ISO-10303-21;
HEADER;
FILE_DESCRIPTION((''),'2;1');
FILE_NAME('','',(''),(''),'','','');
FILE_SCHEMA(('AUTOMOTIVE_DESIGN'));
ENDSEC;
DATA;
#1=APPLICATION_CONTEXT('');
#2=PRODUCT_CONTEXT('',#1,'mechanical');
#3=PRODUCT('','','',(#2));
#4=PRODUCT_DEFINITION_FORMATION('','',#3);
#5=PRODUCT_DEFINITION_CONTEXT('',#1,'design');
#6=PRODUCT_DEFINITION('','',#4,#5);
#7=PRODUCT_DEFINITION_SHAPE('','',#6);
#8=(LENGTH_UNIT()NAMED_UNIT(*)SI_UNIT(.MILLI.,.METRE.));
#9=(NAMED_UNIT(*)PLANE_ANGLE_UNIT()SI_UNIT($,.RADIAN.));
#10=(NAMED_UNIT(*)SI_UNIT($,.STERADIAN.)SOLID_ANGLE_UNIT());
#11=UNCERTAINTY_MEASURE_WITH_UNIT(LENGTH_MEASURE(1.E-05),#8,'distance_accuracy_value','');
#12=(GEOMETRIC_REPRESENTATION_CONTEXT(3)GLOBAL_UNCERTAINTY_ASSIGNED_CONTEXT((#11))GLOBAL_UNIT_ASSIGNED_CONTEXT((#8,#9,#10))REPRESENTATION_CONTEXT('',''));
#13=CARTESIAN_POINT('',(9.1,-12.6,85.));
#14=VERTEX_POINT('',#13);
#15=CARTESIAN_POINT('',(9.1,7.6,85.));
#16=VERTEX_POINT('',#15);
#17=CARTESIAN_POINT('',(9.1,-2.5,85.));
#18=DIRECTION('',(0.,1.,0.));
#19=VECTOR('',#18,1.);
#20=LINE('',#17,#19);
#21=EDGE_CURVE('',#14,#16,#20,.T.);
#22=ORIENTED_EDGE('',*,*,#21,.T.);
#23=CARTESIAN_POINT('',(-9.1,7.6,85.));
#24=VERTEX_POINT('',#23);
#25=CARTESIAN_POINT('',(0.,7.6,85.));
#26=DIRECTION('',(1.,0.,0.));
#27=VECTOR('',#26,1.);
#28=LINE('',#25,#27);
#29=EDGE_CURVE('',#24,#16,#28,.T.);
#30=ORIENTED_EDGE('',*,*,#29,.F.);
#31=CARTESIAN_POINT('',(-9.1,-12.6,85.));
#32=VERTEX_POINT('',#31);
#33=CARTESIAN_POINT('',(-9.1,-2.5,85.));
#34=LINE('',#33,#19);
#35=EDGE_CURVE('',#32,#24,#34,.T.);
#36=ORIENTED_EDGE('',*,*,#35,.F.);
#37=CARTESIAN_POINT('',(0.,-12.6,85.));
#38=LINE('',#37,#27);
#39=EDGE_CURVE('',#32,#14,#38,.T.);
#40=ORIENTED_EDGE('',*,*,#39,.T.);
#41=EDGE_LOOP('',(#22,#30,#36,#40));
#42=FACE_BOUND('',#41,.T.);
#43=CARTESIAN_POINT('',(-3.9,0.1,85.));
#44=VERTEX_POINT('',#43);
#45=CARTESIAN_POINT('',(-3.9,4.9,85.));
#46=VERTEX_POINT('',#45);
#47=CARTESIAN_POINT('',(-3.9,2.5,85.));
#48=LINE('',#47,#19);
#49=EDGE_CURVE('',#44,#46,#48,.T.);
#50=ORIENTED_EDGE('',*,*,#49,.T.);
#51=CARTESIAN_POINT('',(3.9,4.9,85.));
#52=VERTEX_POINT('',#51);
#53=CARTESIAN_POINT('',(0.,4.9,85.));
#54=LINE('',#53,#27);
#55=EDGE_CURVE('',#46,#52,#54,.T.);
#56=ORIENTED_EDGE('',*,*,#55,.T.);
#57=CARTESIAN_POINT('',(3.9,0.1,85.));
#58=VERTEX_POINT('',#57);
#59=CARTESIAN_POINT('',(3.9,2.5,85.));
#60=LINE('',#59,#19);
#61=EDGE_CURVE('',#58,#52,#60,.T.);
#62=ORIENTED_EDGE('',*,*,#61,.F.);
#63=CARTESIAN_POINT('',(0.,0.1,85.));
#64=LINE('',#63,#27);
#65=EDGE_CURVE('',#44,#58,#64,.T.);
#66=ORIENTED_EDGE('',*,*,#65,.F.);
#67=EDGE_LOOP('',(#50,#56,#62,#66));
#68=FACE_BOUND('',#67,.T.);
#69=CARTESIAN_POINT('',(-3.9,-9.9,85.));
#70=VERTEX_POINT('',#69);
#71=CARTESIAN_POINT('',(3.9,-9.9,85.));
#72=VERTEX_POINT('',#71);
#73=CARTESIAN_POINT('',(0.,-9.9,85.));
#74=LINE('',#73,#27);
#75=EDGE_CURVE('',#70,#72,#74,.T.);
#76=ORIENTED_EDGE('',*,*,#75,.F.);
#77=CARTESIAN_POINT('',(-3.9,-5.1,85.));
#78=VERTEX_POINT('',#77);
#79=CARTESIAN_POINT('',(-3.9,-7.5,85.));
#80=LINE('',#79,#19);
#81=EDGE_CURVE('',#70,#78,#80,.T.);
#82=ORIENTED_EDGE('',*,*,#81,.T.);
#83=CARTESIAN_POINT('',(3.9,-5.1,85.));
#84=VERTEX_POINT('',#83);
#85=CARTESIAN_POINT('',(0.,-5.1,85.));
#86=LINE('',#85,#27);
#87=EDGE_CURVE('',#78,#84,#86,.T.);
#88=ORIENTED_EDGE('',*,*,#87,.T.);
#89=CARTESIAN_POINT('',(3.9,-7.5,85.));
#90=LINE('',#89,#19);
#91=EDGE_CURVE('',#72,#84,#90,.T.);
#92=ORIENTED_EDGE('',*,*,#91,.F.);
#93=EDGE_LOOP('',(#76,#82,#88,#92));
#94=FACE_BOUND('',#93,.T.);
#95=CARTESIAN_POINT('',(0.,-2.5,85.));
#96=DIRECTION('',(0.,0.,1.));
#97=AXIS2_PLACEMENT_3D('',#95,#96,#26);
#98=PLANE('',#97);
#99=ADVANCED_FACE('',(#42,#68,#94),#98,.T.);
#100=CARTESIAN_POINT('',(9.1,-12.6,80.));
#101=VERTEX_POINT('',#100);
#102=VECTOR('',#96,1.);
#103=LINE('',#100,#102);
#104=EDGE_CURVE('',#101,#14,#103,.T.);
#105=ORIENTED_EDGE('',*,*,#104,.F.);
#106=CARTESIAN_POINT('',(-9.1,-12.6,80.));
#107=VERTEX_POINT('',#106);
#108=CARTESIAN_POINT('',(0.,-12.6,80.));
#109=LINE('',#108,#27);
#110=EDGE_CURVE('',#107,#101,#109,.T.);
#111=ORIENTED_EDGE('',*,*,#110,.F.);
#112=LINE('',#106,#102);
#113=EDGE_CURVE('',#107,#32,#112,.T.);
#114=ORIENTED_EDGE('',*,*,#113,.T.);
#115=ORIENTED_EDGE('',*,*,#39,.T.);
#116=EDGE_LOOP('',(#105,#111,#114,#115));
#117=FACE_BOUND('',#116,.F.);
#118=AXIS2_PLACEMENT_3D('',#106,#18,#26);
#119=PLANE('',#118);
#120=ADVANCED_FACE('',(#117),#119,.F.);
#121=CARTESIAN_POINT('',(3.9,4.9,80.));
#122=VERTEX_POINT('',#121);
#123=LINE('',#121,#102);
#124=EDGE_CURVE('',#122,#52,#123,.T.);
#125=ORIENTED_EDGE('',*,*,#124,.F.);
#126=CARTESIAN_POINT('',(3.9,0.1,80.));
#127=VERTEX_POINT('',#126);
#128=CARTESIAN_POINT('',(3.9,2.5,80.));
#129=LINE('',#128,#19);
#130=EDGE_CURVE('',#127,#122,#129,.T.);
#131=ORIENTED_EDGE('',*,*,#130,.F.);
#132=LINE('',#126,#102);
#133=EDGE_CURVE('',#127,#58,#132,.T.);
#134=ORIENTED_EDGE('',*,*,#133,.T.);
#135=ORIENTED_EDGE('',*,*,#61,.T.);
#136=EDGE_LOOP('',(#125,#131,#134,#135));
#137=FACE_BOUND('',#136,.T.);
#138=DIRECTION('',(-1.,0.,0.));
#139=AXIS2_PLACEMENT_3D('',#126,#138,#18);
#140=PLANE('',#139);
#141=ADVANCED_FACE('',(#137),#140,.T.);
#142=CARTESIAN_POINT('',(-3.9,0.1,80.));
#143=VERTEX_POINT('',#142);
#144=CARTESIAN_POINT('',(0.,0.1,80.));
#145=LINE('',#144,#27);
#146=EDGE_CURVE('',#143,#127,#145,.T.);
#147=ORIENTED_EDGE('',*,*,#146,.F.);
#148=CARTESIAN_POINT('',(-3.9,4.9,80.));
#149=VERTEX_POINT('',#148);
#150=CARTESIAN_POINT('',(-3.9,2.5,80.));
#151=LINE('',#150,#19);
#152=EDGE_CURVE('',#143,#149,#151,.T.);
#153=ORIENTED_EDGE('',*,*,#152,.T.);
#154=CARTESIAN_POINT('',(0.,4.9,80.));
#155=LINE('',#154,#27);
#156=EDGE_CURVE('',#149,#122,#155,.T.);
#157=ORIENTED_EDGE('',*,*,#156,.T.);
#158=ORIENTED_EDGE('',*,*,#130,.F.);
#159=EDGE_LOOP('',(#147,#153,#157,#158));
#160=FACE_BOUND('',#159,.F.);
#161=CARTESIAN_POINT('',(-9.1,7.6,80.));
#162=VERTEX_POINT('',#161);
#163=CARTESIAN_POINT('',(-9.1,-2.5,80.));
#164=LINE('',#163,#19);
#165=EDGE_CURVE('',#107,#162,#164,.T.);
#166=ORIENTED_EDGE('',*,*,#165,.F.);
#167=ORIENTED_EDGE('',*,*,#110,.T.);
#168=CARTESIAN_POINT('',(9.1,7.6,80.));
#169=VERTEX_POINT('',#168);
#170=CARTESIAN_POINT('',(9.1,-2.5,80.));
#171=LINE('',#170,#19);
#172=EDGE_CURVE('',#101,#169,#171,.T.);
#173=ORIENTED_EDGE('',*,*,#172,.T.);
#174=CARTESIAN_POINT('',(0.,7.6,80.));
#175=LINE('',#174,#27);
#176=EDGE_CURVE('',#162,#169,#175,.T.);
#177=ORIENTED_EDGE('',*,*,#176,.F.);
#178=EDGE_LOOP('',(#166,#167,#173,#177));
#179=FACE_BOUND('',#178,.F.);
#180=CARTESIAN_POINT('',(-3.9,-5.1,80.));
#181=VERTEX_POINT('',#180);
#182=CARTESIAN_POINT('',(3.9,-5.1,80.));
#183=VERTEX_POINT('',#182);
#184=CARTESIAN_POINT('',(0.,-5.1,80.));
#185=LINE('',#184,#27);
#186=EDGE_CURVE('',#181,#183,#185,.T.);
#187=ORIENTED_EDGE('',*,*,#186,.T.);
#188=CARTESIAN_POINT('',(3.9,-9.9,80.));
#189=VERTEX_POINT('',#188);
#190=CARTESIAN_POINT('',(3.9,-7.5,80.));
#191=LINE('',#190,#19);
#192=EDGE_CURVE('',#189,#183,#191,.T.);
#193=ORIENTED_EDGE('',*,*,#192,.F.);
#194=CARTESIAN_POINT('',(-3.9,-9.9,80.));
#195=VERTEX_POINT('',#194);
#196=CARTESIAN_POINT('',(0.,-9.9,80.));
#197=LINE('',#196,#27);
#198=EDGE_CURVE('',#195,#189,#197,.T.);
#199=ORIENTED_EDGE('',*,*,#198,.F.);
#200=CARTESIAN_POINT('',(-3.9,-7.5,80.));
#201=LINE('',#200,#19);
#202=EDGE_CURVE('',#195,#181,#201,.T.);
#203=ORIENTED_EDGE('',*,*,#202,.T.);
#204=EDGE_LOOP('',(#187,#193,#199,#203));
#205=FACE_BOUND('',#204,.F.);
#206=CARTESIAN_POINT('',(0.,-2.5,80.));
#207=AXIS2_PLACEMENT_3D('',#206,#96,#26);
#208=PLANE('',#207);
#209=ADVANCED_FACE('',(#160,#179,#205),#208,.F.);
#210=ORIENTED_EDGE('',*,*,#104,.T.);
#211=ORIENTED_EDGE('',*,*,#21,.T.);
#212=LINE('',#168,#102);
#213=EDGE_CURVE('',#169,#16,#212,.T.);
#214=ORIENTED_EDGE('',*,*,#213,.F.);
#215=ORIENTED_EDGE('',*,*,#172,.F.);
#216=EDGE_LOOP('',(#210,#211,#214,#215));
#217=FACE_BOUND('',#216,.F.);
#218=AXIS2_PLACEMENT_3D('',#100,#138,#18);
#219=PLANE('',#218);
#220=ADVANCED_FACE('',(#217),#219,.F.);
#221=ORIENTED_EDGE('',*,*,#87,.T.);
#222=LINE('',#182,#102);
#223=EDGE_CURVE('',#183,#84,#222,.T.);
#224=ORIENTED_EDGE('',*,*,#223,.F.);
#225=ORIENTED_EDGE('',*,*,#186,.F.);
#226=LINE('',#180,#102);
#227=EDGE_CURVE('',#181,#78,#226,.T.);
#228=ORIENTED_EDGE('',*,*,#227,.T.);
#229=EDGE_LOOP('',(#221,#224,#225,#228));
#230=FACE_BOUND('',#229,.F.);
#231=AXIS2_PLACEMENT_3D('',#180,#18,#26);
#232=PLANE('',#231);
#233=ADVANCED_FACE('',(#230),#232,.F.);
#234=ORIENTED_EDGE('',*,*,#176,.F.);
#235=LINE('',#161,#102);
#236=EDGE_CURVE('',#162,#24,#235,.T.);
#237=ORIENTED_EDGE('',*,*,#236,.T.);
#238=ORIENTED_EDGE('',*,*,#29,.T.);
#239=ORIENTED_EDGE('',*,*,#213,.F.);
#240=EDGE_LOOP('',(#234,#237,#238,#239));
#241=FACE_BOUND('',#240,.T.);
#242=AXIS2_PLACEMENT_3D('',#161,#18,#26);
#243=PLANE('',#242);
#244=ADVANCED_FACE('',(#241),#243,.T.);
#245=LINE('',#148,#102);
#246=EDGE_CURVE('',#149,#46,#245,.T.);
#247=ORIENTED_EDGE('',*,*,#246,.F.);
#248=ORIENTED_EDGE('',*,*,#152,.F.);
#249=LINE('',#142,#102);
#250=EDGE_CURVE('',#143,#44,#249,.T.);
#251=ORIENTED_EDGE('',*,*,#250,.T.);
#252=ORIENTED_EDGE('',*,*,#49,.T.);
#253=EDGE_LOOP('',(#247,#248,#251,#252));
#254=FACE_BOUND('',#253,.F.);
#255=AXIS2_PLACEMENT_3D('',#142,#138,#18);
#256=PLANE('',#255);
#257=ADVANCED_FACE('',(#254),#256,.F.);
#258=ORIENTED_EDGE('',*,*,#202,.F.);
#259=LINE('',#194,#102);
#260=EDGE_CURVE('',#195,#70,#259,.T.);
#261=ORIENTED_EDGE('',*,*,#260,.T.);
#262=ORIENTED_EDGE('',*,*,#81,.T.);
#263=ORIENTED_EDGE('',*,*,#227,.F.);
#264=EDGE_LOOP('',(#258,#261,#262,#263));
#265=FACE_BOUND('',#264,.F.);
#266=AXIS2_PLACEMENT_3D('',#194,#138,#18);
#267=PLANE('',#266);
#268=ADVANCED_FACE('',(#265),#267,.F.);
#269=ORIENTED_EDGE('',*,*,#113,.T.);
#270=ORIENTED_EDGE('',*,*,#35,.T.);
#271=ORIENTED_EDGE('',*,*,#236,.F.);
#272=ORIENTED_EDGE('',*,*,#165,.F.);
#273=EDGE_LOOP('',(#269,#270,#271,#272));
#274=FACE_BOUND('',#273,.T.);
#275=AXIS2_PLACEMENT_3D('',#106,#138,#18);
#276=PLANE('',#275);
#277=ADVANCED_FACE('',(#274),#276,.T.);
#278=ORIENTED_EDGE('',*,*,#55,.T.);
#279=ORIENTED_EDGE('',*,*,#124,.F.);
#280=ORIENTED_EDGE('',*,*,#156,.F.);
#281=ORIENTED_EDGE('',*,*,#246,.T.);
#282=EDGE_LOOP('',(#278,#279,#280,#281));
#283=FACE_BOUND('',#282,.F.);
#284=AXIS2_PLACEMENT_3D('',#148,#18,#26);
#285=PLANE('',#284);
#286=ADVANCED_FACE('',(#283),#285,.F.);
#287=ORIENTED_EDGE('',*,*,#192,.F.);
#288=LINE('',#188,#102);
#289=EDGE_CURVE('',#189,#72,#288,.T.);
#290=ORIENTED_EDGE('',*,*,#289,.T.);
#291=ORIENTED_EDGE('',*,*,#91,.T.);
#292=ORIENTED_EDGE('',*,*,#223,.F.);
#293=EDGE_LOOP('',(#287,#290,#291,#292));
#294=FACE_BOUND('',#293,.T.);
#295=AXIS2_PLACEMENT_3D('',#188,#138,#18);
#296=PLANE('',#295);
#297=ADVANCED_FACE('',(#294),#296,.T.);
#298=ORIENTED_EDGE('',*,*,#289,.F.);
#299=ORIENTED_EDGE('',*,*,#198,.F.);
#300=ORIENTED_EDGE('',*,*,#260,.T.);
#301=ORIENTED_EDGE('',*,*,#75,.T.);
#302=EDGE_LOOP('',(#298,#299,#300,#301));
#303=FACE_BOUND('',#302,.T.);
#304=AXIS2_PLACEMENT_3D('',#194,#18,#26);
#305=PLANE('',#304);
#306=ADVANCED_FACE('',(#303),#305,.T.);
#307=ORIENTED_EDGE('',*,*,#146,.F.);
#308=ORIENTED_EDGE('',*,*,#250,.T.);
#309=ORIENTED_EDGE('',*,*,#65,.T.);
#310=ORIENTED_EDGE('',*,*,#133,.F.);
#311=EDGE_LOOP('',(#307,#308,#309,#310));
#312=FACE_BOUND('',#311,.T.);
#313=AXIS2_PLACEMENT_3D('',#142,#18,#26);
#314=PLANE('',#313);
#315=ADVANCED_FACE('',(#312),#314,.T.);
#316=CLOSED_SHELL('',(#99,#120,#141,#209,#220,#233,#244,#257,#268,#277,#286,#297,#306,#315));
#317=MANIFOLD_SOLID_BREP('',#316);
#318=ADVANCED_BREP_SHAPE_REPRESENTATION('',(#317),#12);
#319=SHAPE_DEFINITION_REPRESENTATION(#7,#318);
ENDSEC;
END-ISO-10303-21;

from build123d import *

# Parameters (mm, degrees)
SKETCH013_W   = 18.2
SKETCH013_H   = 20.2
SKETCH013_W_2 = 7.8
SKETCH013_H_2 = 4.8
PAD013_DEPTH  = 5


with BuildPart() as part:
    # Sketch013 → Pad013 (new body)
    with BuildSketch(Plane(origin=(0, -2.5, 80), x_dir=(1, 0, 0), z_dir=(0, 0, 1))):
        Rectangle(SKETCH013_W, SKETCH013_H)
        with Locations((0, 5)):
            Rectangle(SKETCH013_W_2, SKETCH013_H_2, mode=Mode.SUBTRACT)
        with Locations((0, -5)):
            Rectangle(SKETCH013_W_2, SKETCH013_H_2, mode=Mode.SUBTRACT)
    extrude(amount=PAD013_DEPTH)


solid = part.part
